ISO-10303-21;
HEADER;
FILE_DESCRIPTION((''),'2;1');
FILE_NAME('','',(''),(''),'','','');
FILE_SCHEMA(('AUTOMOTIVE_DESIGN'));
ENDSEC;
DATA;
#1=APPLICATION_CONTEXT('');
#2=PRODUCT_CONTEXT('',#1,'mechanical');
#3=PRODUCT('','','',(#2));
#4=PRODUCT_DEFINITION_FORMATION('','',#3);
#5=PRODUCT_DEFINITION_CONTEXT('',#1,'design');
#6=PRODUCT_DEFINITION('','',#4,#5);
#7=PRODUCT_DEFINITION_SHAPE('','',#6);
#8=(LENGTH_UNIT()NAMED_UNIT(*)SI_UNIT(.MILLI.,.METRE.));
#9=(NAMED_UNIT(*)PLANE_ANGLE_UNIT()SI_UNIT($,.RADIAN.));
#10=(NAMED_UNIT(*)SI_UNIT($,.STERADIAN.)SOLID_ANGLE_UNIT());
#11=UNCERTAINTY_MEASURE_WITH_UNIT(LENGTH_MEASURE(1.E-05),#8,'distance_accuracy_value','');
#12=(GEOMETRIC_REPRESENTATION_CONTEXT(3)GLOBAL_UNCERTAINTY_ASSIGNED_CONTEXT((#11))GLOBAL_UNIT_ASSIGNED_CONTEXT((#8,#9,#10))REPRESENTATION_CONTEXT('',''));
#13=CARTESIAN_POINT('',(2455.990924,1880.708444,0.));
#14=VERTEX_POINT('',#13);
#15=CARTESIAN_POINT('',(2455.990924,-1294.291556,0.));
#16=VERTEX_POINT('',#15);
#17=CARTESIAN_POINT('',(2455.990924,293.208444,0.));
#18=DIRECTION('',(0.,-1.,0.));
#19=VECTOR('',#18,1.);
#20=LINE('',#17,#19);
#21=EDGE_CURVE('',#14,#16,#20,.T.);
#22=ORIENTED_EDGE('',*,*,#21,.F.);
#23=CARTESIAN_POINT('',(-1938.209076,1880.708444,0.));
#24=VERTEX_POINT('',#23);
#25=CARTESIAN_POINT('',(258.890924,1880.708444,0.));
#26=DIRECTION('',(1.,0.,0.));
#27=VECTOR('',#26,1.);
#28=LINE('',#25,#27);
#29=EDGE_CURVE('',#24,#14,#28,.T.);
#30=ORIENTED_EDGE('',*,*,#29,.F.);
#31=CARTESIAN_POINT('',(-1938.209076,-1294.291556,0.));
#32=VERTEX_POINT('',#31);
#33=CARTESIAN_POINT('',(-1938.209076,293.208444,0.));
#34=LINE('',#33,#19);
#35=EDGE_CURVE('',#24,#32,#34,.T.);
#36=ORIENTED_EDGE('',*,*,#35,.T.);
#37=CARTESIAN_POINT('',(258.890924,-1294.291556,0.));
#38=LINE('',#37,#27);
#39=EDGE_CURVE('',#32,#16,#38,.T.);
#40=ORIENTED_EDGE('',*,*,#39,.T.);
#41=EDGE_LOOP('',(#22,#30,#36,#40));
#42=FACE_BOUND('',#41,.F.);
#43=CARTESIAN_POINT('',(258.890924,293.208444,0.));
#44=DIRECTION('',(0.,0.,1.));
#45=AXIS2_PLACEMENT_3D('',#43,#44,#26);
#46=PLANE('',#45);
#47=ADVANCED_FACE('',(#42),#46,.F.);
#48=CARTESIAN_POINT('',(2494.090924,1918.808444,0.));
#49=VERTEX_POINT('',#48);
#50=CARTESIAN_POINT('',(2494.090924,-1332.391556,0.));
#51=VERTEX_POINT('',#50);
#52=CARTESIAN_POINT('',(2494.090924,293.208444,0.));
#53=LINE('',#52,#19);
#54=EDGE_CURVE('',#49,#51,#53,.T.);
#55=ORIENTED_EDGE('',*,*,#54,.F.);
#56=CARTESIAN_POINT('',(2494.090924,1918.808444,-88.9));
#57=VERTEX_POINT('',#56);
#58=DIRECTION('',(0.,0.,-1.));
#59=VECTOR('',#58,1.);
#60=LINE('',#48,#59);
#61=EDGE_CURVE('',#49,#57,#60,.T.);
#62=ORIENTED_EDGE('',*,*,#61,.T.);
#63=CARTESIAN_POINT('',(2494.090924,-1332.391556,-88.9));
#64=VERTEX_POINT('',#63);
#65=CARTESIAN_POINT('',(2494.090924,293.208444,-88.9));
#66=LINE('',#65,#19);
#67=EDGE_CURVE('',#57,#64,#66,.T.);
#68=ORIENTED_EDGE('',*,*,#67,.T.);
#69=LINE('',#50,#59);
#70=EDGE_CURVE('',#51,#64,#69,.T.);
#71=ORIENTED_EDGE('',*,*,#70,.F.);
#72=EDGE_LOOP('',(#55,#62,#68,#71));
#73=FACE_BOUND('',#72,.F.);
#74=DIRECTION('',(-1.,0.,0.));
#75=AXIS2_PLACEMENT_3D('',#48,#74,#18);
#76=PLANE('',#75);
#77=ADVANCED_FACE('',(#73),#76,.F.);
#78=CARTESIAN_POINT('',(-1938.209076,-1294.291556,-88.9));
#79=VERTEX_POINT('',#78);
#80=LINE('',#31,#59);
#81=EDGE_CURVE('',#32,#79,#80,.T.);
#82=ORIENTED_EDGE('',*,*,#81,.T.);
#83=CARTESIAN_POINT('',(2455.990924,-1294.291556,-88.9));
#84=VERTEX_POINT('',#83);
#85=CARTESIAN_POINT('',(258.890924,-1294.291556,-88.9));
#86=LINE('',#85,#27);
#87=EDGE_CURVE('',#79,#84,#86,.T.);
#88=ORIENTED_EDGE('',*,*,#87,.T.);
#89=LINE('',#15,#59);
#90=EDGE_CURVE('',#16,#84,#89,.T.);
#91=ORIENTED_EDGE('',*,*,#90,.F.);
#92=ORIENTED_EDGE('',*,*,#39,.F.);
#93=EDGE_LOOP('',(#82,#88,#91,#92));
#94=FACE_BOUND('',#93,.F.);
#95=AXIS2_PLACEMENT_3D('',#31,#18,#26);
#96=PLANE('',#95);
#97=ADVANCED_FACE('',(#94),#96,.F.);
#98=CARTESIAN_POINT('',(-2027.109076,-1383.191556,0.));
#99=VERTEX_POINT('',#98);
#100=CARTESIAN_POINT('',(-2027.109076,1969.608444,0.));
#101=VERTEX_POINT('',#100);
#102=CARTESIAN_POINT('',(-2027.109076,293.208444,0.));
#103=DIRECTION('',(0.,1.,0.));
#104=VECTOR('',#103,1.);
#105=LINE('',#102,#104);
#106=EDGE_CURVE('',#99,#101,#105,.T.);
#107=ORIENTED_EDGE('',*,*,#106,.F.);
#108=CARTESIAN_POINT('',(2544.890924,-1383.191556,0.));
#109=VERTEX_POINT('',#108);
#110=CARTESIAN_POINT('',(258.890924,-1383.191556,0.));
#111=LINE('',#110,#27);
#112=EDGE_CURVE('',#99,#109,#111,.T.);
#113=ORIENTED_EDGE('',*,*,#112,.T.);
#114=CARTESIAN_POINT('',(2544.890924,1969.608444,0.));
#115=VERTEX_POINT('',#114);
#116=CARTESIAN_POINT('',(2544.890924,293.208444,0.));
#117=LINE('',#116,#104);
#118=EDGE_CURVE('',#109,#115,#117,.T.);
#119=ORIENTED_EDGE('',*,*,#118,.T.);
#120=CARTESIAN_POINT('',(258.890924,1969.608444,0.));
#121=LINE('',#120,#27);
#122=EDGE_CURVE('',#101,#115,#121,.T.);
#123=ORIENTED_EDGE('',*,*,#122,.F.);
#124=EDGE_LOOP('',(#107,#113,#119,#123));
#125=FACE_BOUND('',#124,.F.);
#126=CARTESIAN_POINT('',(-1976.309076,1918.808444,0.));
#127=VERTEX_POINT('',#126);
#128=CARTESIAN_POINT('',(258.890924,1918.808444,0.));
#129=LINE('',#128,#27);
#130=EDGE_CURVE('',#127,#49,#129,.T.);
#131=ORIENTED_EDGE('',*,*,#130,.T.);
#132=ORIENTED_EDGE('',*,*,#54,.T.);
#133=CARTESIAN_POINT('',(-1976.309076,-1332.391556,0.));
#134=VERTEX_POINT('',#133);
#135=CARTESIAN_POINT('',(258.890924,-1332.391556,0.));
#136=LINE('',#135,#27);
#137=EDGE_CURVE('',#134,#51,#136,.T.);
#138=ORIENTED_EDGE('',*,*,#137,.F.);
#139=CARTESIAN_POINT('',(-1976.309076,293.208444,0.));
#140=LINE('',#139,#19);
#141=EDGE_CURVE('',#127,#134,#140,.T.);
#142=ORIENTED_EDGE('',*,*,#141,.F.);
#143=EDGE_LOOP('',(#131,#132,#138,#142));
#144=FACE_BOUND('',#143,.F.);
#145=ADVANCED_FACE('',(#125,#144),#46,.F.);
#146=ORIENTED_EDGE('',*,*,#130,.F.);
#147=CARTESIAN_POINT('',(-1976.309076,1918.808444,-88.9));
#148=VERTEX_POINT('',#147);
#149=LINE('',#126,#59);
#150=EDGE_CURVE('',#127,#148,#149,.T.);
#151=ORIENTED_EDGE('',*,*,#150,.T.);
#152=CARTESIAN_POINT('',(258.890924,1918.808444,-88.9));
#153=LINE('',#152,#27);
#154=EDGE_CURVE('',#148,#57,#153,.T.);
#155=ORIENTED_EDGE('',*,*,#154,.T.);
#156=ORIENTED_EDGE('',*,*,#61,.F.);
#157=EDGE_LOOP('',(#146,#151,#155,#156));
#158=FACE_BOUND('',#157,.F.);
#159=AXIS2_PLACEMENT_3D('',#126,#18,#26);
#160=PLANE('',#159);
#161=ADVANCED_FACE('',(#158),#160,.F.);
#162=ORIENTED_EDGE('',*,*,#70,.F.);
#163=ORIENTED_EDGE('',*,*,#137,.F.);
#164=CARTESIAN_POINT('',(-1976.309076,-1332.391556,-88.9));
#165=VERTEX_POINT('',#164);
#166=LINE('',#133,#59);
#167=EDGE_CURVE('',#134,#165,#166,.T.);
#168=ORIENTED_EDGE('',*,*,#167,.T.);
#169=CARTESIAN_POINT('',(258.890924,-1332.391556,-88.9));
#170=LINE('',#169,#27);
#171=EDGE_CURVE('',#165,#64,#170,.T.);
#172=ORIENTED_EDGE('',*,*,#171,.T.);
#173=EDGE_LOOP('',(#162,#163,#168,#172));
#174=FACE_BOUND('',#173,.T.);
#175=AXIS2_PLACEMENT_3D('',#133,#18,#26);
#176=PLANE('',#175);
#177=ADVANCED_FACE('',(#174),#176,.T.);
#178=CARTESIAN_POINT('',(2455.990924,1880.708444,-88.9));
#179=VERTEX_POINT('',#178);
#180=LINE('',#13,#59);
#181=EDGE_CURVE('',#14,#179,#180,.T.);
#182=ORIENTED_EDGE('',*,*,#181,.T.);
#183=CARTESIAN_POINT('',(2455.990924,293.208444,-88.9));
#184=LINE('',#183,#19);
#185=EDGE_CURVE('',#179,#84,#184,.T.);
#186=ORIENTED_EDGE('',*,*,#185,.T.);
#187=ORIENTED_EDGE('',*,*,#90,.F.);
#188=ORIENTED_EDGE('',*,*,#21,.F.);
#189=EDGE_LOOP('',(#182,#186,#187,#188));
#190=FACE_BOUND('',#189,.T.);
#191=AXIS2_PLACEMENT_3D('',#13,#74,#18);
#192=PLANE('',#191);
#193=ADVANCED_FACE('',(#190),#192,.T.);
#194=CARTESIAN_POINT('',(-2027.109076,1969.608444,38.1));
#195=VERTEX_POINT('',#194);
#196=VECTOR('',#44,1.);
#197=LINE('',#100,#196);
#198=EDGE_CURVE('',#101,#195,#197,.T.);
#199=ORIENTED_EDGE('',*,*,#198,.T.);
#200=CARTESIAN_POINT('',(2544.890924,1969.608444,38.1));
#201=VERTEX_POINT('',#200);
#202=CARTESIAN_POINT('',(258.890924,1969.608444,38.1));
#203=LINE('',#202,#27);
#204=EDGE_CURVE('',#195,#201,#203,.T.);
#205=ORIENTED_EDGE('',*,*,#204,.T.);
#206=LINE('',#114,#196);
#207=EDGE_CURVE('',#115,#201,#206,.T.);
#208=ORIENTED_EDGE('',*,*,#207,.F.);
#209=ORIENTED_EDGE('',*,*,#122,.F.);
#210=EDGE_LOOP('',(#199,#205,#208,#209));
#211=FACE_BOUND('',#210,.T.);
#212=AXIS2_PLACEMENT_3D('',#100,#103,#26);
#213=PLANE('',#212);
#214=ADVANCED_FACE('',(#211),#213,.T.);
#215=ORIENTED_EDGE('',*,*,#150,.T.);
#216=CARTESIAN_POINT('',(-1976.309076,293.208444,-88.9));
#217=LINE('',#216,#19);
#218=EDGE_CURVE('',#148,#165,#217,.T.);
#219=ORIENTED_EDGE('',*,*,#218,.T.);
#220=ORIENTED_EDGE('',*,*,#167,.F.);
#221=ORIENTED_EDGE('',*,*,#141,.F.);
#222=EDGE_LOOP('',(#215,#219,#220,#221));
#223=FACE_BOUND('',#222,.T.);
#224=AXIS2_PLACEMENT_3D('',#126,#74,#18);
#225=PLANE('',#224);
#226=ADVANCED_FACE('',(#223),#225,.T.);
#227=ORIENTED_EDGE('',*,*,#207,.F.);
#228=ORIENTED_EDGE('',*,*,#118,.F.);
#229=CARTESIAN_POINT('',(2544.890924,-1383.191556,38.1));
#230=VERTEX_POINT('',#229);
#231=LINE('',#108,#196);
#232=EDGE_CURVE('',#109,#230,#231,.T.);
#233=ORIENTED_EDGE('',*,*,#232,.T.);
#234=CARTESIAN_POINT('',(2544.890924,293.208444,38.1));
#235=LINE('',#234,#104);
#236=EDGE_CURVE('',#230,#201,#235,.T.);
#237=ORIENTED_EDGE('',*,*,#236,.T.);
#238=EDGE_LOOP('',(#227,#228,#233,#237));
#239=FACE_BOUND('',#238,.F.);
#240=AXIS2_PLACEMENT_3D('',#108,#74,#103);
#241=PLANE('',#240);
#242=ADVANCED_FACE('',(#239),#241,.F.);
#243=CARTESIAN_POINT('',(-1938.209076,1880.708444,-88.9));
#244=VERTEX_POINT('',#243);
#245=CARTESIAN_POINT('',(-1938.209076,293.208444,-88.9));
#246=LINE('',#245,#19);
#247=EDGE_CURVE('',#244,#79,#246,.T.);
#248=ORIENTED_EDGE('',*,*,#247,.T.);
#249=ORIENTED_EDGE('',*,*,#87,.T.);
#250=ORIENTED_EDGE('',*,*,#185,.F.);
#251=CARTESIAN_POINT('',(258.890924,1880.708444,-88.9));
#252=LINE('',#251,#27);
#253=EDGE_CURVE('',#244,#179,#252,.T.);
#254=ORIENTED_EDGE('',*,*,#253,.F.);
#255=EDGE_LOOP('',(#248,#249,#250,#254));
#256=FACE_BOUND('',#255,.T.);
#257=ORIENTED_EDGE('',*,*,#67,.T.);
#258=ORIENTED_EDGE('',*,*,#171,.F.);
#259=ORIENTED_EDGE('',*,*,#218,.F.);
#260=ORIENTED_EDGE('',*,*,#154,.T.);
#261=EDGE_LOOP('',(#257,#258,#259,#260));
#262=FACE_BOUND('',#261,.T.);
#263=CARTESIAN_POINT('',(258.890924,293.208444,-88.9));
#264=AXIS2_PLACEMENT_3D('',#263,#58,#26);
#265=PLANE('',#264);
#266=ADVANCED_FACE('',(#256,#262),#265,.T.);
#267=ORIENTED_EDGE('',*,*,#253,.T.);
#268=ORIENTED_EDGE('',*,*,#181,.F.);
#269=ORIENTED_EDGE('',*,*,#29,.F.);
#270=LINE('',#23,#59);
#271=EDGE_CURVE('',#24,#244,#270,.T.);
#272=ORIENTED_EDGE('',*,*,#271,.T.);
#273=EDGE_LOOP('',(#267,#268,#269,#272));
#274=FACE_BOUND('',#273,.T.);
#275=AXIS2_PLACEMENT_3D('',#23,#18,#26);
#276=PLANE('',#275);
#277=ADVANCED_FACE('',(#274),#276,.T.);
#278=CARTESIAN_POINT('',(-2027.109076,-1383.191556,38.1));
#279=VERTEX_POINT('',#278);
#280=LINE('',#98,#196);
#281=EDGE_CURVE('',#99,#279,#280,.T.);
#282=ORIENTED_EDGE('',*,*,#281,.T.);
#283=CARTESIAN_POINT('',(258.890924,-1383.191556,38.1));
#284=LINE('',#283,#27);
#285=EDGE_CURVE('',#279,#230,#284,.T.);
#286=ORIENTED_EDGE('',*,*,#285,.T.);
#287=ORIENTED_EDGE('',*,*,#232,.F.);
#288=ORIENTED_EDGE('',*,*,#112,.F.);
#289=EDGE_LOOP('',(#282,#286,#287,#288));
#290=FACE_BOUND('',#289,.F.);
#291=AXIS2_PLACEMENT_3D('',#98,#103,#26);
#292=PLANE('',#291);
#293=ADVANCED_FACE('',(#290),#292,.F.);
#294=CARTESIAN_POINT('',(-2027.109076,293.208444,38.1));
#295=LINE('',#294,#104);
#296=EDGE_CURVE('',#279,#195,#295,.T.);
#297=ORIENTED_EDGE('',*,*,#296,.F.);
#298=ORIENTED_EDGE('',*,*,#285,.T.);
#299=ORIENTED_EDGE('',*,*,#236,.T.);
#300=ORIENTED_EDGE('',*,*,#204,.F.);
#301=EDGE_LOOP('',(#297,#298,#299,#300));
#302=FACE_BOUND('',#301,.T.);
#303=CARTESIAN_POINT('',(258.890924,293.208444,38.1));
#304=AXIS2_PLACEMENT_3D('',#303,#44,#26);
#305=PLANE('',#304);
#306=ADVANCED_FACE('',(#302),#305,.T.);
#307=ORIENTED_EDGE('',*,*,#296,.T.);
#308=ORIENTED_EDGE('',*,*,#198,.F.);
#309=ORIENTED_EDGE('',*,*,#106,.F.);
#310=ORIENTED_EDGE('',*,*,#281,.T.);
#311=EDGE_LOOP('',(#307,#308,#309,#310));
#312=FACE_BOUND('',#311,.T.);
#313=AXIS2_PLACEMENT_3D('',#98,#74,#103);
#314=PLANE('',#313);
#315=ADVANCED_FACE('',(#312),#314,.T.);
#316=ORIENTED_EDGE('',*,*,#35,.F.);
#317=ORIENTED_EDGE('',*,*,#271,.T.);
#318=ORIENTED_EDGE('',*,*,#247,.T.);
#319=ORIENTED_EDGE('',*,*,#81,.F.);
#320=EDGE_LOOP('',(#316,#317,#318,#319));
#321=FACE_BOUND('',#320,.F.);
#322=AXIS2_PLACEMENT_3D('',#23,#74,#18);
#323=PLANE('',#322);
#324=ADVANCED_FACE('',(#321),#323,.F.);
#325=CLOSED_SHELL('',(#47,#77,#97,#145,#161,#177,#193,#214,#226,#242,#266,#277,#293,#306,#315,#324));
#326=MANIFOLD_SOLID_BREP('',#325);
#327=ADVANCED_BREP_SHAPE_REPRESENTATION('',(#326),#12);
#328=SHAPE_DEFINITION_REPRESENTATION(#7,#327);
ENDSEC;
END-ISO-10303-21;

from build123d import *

# Parameters (mm, degrees)
F0_W     = 4572
F0_H     = 3352.8
F1_DEPTH = 38.1
F2_W     = 4470.4
F2_H     = 3251.2
F2_W_2   = 4394.2
F2_H_2   = 3175
F3_DEPTH = 88.9


with BuildPart() as f1:
    # F0 (on Top) → F1 (new body)
    with BuildSketch(Plane.XY):
        with Locations((258.890924, 293.208444)):
            Rectangle(F0_W, F0_H)
    extrude(amount=F1_DEPTH)

    # F2 (on face) → F3 (join)
    with BuildSketch(Plane(origin=(0, 0, 0), x_dir=(1, 0, 0), z_dir=(0, 0, -1))):
        with Locations((258.890924, -293.208444)):
            Rectangle(F2_W, F2_H)
        with Locations((258.890924, -293.208444)):
            Rectangle(F2_W_2, F2_H_2, mode=Mode.SUBTRACT)
    extrude(amount=F3_DEPTH)


solid = f1.part
